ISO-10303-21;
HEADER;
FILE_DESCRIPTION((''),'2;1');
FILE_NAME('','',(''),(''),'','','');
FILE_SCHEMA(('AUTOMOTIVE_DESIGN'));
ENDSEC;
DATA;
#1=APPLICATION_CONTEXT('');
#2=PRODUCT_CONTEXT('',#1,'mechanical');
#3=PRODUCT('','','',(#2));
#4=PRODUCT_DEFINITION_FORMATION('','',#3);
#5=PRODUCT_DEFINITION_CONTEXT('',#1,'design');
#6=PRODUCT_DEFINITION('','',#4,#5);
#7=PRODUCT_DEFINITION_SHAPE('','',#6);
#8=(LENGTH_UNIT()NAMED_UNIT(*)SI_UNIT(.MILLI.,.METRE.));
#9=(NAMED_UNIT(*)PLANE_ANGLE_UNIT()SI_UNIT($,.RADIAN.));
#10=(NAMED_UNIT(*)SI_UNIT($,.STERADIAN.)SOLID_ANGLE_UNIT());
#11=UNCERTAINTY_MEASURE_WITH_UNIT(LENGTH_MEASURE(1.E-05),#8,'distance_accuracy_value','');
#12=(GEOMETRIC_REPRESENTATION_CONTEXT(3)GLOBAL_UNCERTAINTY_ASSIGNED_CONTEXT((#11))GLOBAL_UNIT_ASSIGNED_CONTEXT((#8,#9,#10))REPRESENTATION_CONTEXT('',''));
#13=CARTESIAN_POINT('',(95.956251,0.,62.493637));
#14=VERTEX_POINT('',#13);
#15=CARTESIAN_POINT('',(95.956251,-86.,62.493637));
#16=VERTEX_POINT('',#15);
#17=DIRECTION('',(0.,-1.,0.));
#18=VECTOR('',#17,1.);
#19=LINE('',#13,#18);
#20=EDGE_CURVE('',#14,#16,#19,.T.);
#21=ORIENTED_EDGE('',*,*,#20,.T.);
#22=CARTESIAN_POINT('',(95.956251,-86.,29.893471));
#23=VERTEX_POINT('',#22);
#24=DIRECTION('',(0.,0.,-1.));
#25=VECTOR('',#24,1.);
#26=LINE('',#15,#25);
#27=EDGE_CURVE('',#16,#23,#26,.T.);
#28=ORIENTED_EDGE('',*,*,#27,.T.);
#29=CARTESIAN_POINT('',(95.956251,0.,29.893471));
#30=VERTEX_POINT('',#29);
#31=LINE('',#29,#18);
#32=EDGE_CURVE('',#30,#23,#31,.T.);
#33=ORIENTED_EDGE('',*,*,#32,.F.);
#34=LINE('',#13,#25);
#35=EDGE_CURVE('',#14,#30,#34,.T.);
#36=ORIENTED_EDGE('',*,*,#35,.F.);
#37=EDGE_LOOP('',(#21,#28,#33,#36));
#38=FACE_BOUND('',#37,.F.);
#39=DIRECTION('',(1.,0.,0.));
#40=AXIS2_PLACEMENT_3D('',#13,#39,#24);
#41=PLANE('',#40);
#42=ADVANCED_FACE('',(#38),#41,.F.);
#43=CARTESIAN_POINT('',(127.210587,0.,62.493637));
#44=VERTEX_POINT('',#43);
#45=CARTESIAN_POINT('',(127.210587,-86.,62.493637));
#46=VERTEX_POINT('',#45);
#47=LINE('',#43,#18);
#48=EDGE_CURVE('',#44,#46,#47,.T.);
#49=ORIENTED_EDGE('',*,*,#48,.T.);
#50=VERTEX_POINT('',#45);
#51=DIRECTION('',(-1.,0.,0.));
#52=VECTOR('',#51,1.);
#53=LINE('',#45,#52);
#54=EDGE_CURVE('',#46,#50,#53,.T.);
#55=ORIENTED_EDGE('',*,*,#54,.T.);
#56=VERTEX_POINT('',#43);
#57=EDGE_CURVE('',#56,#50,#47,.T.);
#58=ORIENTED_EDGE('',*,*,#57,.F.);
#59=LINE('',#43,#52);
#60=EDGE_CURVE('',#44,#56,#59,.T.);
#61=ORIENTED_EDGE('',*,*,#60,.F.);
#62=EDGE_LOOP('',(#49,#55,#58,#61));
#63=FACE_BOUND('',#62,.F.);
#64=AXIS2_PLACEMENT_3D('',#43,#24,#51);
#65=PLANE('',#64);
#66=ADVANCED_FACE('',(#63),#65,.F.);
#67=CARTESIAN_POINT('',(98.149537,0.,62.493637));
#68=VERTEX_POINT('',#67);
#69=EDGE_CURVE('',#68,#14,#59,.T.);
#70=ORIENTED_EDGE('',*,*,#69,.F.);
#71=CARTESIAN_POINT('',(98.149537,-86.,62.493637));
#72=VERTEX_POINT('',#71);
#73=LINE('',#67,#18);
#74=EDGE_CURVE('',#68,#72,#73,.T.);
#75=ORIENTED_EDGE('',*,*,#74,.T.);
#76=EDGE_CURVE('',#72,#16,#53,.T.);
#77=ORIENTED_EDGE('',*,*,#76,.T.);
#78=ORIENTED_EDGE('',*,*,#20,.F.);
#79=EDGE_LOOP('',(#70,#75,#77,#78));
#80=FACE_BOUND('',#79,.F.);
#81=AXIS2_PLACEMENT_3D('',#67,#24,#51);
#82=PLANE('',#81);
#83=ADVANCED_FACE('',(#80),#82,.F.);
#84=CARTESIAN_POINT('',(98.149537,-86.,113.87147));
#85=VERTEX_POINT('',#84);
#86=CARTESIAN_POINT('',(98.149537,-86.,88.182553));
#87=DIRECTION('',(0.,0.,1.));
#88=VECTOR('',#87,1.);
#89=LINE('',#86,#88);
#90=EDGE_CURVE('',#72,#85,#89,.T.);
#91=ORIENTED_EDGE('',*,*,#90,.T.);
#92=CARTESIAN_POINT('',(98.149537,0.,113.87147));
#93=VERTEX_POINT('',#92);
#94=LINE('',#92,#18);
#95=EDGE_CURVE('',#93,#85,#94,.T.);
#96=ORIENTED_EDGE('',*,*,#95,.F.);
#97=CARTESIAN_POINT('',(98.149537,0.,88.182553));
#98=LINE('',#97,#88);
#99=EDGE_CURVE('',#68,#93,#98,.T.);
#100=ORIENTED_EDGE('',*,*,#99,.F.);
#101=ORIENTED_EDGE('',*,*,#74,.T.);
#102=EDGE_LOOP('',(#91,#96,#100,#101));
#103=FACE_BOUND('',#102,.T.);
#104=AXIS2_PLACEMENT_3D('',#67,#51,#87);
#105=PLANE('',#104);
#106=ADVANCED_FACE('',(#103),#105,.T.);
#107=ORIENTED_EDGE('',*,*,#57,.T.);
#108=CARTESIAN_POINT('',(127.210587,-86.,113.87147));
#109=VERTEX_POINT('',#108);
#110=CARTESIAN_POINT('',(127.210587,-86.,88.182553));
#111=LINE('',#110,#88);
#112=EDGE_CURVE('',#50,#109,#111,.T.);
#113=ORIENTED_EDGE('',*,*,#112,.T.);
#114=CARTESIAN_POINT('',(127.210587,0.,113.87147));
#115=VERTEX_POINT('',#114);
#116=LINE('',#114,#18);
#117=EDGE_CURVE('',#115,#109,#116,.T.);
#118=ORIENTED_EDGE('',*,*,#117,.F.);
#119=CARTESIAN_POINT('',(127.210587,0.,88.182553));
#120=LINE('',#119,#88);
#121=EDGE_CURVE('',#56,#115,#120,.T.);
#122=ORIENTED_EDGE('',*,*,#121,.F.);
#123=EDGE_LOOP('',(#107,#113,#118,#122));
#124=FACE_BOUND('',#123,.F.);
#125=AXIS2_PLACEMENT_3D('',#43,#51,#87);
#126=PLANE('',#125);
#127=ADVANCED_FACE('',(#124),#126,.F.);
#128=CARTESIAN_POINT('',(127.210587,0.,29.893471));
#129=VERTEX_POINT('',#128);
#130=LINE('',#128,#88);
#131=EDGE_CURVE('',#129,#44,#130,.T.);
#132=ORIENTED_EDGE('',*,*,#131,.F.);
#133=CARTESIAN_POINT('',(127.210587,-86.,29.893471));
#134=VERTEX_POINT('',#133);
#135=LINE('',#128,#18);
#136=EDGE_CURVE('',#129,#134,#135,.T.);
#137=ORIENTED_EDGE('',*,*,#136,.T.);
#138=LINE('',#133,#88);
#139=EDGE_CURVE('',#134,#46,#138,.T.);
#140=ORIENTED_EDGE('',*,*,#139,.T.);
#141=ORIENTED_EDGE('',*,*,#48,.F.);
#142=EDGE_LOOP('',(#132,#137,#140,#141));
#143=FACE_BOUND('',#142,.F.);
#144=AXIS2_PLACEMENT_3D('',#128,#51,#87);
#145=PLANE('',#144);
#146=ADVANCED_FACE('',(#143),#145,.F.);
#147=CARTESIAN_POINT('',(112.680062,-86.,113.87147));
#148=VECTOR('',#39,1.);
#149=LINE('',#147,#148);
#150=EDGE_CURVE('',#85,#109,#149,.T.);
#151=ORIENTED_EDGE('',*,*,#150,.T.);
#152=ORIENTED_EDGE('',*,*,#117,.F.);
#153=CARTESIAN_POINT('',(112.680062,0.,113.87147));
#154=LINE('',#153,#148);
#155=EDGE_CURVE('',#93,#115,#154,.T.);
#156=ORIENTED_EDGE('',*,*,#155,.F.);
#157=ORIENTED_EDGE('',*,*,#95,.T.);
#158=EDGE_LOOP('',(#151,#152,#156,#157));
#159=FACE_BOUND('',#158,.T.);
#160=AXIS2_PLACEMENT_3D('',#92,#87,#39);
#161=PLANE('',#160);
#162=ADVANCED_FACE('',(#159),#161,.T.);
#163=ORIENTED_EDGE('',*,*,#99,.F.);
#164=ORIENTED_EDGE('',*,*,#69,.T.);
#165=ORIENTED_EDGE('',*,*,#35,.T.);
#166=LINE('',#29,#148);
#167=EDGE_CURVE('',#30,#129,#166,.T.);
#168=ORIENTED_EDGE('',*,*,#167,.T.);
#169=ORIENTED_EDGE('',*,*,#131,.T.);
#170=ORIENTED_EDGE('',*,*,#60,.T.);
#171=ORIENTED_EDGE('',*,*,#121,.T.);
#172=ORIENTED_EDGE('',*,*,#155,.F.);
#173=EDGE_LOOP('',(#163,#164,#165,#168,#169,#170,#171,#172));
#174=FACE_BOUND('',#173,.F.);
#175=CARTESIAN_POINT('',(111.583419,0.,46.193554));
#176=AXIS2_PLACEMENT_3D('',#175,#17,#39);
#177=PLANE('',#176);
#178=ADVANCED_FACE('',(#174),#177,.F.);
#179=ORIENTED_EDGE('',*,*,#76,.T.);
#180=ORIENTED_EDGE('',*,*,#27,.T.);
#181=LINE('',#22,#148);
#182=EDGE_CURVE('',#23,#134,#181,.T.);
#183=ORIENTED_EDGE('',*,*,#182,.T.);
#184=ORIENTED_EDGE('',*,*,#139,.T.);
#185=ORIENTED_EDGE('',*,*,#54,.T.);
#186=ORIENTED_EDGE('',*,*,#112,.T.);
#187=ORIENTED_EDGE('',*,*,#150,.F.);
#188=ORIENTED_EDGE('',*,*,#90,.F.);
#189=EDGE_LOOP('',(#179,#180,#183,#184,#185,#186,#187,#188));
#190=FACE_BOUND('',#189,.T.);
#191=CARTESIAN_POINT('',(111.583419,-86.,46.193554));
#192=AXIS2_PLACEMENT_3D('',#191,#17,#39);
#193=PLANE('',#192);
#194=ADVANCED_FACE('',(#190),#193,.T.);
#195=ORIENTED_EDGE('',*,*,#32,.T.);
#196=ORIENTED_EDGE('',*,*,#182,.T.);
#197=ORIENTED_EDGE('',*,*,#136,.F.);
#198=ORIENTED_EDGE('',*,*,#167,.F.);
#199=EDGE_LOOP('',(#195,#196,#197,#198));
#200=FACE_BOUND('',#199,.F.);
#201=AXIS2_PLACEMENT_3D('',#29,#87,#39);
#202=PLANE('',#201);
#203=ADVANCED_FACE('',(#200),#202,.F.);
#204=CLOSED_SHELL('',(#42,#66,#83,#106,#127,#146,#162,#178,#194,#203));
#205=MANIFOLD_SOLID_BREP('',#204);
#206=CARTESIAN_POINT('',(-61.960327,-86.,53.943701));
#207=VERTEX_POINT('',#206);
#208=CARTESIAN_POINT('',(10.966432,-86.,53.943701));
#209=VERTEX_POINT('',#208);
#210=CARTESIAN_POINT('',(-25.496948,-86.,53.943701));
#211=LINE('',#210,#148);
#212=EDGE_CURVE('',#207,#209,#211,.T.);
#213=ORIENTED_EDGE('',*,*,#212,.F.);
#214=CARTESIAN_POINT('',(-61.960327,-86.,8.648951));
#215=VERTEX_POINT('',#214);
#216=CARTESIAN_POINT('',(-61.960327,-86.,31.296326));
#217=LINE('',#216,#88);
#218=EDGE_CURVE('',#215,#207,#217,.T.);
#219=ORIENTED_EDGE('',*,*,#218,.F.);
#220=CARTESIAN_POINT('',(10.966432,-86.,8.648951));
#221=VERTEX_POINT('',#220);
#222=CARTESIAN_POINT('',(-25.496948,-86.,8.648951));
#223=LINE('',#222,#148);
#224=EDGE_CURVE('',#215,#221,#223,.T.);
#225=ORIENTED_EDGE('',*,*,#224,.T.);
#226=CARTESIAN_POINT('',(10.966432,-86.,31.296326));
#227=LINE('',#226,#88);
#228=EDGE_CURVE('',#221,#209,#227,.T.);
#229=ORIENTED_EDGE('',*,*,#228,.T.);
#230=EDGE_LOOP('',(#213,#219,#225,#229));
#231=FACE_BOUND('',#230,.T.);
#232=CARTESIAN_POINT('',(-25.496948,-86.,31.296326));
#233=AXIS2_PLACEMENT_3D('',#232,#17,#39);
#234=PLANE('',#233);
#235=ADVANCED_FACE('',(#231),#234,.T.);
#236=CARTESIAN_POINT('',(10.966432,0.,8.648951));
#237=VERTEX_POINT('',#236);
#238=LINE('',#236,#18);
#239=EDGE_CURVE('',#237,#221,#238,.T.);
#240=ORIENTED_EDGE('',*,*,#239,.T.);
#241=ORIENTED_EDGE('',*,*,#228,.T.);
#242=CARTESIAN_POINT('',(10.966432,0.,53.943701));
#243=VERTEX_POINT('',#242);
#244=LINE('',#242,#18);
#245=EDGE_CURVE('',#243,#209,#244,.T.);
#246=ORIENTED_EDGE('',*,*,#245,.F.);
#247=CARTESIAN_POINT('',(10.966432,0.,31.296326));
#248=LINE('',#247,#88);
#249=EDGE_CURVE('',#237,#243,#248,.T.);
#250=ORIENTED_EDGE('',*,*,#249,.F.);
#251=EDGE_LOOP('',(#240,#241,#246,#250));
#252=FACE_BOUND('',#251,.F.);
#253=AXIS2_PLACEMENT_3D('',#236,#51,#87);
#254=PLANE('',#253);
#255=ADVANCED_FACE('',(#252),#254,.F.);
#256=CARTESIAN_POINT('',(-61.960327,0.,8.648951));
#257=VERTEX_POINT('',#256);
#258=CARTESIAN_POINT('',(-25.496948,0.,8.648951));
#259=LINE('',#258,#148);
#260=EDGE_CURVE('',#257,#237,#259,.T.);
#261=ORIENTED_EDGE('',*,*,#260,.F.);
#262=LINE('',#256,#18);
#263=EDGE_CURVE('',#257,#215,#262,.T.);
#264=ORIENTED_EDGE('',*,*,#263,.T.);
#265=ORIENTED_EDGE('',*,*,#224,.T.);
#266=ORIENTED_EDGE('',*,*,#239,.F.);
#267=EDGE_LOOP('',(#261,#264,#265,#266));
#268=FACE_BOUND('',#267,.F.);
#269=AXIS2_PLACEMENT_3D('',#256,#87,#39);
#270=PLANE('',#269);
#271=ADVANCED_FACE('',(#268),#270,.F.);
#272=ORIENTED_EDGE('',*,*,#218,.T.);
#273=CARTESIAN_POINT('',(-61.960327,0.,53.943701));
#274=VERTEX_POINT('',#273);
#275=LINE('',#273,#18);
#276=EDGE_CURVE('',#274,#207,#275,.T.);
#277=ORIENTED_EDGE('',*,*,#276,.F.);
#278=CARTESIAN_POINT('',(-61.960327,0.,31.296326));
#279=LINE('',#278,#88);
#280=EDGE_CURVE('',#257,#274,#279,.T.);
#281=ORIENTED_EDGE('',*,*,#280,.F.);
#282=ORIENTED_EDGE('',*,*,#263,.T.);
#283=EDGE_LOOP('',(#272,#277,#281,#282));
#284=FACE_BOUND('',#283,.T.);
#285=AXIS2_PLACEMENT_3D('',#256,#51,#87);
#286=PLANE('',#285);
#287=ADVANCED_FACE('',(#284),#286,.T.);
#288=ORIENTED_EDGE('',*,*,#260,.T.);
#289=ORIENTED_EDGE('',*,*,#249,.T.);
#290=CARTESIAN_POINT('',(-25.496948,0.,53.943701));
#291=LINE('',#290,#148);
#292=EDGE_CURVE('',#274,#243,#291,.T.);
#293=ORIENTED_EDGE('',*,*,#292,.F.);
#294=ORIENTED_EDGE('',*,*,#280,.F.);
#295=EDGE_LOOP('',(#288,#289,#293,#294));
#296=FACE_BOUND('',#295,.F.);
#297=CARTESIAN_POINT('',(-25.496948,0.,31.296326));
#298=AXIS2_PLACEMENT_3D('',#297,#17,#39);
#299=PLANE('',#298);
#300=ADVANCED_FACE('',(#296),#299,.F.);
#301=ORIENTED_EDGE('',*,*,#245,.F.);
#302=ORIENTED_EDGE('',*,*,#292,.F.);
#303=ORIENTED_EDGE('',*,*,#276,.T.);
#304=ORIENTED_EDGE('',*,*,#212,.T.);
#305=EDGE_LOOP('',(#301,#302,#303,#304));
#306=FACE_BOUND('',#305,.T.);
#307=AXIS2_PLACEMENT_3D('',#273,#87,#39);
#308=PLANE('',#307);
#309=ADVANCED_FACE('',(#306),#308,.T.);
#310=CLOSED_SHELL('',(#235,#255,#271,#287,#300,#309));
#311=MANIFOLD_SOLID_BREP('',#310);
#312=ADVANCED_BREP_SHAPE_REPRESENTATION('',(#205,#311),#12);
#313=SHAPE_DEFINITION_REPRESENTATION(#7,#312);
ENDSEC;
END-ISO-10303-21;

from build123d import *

# Parameters (mm, degrees)
F0_W     = 72.926759
F0_H     = 45.29475
F1_W     = 29.061049
F1_H     = 51.377833
F2_DEPTH = 86


with BuildPart() as f2:
    # F0 (on Front) + F1 (on Front) → F2 (new body)
    with BuildSketch(Plane.XZ):
        with Locations((-25.496948, 31.296326)):
            Rectangle(F0_W, F0_H)
    with BuildSketch(Plane.XZ):
        Polygon((95.956251, 62.493637), (95.956251, 29.893471), (127.210587, 29.893471), (127.210587, 62.493637), (98.149538, 62.493637), align=None)
        with Locations((112.680062, 88.182553)):
            Rectangle(F1_W, F1_H)
    extrude(amount=F2_DEPTH)


solid = f2.part
